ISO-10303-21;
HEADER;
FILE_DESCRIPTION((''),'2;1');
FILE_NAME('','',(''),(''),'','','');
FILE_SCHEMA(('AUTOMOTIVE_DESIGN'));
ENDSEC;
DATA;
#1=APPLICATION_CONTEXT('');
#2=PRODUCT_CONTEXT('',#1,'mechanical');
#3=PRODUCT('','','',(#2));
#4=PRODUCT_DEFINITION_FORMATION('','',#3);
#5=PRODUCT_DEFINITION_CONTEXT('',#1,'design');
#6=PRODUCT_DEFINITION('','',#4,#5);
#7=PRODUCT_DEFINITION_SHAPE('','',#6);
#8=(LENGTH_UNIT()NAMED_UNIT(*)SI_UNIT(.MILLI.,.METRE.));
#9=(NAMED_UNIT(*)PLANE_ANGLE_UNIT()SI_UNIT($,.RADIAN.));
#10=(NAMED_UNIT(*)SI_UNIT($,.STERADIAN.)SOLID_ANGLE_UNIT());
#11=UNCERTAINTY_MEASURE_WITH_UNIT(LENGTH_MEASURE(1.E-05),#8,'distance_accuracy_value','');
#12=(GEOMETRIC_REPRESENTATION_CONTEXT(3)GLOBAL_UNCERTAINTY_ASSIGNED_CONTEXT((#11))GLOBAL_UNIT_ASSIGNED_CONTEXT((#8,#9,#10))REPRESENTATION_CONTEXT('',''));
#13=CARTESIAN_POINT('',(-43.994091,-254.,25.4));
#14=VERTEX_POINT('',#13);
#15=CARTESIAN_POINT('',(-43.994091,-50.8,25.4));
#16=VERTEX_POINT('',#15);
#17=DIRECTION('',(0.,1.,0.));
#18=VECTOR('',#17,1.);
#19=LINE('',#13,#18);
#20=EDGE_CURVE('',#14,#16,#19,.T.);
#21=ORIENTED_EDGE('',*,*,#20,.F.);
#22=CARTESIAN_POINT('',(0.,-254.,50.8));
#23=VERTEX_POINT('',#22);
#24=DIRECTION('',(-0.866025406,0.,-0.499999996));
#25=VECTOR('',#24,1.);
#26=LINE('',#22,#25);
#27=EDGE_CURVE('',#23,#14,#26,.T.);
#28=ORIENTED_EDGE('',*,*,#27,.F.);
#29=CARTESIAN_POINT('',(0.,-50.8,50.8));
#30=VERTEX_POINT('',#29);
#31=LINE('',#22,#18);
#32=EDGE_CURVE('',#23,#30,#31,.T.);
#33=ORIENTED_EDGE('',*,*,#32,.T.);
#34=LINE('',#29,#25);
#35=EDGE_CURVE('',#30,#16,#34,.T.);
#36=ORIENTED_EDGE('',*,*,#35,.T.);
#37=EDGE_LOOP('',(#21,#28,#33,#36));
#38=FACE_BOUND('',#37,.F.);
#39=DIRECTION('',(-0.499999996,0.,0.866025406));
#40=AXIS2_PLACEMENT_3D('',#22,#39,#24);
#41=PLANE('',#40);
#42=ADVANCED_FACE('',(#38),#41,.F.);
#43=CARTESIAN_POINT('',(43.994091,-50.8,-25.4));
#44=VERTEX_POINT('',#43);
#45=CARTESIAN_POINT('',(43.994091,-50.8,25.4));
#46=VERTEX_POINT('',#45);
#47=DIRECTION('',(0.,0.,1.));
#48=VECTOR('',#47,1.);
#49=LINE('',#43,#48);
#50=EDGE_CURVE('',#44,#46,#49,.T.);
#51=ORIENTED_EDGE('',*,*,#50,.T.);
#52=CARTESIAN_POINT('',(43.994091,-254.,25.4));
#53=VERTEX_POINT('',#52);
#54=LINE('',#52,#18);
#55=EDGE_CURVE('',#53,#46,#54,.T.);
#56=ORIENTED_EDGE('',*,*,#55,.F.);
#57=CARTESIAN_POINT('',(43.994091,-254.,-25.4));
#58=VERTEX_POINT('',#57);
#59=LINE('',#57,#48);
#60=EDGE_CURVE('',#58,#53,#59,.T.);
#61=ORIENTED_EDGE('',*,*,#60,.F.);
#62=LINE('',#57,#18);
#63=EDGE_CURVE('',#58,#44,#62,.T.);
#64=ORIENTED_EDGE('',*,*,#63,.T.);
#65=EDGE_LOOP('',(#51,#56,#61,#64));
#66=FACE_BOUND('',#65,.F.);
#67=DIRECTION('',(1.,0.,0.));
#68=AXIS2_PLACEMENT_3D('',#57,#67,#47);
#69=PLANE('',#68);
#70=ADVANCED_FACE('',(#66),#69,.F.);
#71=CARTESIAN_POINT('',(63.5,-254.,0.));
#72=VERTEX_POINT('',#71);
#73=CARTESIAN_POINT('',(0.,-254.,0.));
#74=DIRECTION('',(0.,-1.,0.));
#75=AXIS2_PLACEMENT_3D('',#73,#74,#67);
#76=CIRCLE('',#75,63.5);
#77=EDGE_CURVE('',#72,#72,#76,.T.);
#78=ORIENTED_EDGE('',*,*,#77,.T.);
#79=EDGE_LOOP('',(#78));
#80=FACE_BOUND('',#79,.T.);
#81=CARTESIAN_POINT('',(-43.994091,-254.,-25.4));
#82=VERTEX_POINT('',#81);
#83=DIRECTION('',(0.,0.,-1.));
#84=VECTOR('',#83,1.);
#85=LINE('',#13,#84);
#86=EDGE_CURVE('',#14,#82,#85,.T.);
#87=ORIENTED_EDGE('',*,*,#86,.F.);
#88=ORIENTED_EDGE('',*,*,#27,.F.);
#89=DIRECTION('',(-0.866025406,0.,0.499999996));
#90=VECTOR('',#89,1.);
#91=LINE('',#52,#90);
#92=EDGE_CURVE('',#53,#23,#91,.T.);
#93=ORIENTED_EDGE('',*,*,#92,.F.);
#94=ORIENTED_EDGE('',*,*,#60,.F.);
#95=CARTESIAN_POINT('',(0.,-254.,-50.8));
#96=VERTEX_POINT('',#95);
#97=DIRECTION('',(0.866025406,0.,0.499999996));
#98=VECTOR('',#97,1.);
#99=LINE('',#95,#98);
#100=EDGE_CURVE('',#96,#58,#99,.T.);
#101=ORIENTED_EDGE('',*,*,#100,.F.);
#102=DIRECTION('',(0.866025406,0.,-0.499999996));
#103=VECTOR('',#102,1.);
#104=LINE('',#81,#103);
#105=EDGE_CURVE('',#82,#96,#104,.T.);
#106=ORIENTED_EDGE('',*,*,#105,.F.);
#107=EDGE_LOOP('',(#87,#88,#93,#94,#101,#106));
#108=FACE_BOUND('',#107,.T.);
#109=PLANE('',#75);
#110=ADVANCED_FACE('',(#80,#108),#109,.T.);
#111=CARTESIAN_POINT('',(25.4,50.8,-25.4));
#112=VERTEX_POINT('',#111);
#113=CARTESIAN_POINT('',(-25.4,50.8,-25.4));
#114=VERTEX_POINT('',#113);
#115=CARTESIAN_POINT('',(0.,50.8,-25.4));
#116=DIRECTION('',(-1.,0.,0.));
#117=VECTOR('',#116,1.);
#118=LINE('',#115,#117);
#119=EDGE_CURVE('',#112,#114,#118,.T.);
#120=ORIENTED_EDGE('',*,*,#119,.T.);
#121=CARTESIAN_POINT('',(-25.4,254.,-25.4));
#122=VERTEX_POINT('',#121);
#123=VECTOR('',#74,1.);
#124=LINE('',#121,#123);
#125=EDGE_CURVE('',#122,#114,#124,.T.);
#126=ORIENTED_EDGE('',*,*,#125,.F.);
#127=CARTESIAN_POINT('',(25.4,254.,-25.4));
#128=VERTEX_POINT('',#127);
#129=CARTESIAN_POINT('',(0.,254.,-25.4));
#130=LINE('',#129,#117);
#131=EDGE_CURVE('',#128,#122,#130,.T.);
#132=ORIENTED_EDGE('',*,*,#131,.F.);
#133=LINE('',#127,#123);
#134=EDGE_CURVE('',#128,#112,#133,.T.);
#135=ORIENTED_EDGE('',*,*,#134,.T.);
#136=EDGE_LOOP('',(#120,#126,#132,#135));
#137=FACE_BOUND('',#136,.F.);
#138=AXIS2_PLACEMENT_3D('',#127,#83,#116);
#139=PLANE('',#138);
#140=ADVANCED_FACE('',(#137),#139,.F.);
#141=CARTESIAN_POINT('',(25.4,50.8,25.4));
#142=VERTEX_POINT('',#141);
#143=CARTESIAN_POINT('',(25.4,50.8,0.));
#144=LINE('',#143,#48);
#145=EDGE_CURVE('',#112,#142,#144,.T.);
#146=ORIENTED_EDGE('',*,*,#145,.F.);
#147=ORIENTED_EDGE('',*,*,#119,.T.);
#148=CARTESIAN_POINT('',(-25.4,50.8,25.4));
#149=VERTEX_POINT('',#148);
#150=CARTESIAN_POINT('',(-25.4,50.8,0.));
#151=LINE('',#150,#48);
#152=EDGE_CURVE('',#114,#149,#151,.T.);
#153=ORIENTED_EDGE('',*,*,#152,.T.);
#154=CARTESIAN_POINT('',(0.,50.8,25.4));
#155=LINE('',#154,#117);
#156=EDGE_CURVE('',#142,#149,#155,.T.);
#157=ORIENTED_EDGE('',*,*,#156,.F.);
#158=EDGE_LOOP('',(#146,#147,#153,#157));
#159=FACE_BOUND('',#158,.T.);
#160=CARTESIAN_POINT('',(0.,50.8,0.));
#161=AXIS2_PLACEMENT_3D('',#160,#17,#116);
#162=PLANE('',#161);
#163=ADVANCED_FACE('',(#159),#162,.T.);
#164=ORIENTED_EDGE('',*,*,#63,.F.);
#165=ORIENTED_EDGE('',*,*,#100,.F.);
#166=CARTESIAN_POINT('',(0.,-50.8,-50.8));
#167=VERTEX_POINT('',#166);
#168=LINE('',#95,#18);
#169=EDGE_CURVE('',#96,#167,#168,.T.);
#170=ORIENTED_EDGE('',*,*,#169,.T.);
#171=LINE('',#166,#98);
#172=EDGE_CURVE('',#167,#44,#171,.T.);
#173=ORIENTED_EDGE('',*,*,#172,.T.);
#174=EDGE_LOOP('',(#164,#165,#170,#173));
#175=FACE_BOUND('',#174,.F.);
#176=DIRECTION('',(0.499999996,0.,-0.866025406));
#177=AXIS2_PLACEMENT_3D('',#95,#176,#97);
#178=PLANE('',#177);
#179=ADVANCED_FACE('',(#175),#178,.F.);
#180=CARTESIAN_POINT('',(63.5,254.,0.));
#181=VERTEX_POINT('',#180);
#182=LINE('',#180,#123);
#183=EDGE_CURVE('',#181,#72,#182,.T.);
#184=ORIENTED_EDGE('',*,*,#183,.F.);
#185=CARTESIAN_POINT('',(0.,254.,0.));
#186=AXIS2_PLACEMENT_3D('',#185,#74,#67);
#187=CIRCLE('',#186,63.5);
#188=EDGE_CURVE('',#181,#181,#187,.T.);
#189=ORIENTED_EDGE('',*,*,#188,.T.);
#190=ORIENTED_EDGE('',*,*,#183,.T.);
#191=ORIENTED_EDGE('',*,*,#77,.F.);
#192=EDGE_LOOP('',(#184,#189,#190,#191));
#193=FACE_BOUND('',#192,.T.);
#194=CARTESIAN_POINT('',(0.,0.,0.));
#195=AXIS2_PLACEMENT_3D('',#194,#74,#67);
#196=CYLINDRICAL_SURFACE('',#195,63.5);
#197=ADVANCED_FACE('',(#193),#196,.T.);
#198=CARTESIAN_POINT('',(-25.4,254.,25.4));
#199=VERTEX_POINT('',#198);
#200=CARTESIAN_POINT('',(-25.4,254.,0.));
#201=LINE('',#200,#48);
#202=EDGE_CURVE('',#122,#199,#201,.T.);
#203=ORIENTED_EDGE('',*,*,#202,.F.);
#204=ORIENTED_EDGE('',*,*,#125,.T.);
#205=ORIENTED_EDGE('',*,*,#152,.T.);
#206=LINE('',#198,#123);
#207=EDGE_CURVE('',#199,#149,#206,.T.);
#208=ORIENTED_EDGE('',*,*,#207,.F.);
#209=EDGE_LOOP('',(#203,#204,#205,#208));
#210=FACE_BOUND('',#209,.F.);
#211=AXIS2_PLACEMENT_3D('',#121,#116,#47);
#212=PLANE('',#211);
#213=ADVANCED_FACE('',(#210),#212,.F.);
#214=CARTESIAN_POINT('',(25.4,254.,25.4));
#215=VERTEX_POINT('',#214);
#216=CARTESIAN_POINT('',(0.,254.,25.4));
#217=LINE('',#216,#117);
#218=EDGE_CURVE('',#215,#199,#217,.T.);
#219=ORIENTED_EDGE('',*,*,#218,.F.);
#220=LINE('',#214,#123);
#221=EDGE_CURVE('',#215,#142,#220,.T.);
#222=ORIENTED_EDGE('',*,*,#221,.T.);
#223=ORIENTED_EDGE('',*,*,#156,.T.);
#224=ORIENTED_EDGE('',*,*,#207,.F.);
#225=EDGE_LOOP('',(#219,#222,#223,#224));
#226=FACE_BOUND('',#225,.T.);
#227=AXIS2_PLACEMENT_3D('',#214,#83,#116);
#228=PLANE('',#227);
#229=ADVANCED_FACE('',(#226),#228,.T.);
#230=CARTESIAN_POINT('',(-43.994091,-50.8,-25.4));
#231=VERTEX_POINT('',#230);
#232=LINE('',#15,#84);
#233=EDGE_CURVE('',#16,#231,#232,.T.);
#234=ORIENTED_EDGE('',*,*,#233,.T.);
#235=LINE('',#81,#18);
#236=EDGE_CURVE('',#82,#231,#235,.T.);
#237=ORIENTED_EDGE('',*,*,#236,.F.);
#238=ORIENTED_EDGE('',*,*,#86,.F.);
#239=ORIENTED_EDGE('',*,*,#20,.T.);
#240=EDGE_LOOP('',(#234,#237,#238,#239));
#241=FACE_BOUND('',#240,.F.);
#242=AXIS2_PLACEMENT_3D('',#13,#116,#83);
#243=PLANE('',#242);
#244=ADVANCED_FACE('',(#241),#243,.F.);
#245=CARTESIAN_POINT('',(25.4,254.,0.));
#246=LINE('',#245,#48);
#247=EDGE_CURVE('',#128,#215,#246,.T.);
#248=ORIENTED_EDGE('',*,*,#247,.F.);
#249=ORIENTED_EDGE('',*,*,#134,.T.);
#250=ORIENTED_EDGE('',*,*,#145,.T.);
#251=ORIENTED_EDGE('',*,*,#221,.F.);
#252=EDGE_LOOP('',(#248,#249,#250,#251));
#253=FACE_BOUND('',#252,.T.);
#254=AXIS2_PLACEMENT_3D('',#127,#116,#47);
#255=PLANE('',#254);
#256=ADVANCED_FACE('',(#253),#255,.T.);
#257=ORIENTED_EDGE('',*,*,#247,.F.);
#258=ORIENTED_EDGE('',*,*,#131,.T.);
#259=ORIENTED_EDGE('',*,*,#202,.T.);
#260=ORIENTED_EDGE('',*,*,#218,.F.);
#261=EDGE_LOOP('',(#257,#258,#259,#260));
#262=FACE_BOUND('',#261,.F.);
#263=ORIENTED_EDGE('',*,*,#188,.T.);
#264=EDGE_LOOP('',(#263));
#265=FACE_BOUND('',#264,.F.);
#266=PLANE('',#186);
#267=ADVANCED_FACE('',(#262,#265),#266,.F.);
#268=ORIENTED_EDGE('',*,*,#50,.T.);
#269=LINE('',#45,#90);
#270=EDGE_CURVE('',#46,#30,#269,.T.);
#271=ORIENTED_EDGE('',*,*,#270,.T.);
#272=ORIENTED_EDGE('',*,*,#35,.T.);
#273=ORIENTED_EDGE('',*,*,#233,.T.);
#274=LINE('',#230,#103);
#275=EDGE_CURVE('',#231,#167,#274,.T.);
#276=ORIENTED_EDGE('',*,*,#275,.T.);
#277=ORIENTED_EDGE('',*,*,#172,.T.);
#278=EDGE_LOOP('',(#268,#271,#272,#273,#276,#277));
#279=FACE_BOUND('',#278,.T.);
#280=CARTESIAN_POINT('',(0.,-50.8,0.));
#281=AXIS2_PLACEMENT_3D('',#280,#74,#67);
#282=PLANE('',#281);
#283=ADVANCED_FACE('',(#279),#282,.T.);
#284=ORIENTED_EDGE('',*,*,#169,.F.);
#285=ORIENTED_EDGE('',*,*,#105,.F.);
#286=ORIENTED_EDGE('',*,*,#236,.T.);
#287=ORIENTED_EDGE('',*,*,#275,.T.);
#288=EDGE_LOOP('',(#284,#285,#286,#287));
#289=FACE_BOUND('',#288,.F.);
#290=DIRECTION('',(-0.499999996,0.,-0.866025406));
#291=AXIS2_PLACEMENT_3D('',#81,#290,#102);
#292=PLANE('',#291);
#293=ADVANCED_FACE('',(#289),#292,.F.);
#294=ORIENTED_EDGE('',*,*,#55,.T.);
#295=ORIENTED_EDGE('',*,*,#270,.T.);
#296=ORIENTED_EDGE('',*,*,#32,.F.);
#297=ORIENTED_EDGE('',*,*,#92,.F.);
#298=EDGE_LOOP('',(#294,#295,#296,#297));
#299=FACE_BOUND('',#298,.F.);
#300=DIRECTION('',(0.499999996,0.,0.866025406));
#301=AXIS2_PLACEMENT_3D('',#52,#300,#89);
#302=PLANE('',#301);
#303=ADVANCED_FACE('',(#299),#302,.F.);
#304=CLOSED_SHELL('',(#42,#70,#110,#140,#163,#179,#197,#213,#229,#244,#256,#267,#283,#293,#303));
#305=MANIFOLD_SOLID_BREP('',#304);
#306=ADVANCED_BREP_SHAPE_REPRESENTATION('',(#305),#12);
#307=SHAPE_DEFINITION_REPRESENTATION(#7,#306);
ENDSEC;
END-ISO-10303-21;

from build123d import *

# Parameters (mm, degrees)
F0_R     = 63.5
F1_DEPTH = 254
F2_W     = 50.8
F2_H     = 50.8
F3_DEPTH = 203.2
F5_DEPTH = 203.2


with BuildPart() as f1:
    # F0 (on Front) → F1 (new body, symmetric)
    with BuildSketch(Plane.XZ):
        Circle(F0_R)
    extrude(amount=F1_DEPTH, both=True)

    # F2 (on face) → F3 (cut)
    with BuildSketch(Plane(origin=(0, 254, 0), x_dir=(-1, 0, 0), z_dir=(0, 1, 0))):
        Rectangle(F2_W, F2_H)
    extrude(amount=-F3_DEPTH, mode=Mode.SUBTRACT)

    # F4 (on face) → F5 (cut)
    with BuildSketch(Plane.XZ.offset(254)):
        Polygon((-43.994091, -25.4), (0, -50.8), (43.994091, -25.4), (43.994091, 25.4), (0, 50.8), (-43.994091, 25.4), align=None)
    extrude(amount=-F5_DEPTH, mode=Mode.SUBTRACT)


solid = f1.part
